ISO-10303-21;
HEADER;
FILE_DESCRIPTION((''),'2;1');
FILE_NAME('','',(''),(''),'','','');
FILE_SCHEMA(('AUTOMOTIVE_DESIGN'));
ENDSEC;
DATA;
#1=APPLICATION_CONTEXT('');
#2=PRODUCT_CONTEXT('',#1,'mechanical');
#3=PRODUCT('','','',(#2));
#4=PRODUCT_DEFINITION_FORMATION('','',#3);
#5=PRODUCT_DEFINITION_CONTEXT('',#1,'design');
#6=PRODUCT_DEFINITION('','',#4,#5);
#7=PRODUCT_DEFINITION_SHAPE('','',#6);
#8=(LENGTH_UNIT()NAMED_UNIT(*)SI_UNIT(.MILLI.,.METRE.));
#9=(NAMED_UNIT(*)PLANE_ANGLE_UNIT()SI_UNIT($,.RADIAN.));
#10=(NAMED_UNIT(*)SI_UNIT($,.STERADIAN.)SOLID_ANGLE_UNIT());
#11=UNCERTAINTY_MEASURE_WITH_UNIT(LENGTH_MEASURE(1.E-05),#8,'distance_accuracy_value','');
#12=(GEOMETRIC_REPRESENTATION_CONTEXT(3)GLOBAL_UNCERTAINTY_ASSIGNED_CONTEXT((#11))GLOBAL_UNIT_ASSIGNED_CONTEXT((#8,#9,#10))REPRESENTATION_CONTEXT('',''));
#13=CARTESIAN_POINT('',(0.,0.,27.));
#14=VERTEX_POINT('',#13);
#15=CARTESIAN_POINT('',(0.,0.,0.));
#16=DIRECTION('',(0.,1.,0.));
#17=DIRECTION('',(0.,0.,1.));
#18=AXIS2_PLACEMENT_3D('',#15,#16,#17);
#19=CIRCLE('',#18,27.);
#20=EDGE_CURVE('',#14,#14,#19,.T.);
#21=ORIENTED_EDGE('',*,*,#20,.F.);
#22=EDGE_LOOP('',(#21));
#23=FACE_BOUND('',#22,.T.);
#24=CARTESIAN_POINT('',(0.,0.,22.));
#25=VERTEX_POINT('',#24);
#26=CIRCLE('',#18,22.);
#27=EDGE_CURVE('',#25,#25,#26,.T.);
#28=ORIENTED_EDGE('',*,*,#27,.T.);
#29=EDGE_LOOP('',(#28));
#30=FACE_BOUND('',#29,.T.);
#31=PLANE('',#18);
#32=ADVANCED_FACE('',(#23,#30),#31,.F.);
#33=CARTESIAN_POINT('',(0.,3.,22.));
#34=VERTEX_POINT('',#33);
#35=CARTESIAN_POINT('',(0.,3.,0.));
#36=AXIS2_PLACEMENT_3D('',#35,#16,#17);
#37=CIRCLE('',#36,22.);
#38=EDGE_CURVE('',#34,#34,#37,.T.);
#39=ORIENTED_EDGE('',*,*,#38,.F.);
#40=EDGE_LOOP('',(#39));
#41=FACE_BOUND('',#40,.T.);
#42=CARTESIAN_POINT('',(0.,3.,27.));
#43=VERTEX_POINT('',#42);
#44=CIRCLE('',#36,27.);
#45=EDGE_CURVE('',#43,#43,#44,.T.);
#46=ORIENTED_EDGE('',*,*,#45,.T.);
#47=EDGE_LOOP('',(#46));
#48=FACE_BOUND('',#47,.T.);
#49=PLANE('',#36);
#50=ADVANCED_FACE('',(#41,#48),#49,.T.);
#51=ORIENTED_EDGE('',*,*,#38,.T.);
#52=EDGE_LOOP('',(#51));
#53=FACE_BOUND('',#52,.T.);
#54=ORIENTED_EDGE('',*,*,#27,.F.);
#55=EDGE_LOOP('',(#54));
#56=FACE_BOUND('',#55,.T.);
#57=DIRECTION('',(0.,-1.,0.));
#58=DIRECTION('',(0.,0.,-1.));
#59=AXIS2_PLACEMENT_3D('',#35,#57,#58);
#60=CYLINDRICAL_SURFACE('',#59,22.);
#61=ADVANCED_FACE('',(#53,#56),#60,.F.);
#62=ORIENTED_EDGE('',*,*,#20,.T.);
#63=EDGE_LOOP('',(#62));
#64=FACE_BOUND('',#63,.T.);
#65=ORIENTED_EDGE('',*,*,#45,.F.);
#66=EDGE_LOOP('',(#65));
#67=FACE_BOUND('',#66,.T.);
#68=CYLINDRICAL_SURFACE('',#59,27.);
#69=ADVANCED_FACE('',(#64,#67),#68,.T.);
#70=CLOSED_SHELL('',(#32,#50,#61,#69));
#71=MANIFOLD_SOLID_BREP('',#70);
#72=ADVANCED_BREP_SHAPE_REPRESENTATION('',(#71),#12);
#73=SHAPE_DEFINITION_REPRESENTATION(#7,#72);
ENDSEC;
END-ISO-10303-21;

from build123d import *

# Parameters (mm, degrees)
SKETCH1_R           = 27
SKETCH1_R_2         = 22
BOSS_EXTRUDE1_DEPTH = 3


with BuildPart() as part:
    # Sketch1 → Boss-Extrude1 (new body)
    with BuildSketch(Plane(origin=(0, 0, 0), x_dir=(1, 0, 0), z_dir=(0, 1, 0))):
        with Locations(Location((0, 0, 0), (0, 0, 270))):  # turned: the seam where the file's is
            Circle(SKETCH1_R)
        with Locations(Location((0, 0, 0), (0, 0, 270))):  # turned: the seam where the file's is
            Circle(SKETCH1_R_2, mode=Mode.SUBTRACT)
    extrude(amount=BOSS_EXTRUDE1_DEPTH)


solid = part.part
